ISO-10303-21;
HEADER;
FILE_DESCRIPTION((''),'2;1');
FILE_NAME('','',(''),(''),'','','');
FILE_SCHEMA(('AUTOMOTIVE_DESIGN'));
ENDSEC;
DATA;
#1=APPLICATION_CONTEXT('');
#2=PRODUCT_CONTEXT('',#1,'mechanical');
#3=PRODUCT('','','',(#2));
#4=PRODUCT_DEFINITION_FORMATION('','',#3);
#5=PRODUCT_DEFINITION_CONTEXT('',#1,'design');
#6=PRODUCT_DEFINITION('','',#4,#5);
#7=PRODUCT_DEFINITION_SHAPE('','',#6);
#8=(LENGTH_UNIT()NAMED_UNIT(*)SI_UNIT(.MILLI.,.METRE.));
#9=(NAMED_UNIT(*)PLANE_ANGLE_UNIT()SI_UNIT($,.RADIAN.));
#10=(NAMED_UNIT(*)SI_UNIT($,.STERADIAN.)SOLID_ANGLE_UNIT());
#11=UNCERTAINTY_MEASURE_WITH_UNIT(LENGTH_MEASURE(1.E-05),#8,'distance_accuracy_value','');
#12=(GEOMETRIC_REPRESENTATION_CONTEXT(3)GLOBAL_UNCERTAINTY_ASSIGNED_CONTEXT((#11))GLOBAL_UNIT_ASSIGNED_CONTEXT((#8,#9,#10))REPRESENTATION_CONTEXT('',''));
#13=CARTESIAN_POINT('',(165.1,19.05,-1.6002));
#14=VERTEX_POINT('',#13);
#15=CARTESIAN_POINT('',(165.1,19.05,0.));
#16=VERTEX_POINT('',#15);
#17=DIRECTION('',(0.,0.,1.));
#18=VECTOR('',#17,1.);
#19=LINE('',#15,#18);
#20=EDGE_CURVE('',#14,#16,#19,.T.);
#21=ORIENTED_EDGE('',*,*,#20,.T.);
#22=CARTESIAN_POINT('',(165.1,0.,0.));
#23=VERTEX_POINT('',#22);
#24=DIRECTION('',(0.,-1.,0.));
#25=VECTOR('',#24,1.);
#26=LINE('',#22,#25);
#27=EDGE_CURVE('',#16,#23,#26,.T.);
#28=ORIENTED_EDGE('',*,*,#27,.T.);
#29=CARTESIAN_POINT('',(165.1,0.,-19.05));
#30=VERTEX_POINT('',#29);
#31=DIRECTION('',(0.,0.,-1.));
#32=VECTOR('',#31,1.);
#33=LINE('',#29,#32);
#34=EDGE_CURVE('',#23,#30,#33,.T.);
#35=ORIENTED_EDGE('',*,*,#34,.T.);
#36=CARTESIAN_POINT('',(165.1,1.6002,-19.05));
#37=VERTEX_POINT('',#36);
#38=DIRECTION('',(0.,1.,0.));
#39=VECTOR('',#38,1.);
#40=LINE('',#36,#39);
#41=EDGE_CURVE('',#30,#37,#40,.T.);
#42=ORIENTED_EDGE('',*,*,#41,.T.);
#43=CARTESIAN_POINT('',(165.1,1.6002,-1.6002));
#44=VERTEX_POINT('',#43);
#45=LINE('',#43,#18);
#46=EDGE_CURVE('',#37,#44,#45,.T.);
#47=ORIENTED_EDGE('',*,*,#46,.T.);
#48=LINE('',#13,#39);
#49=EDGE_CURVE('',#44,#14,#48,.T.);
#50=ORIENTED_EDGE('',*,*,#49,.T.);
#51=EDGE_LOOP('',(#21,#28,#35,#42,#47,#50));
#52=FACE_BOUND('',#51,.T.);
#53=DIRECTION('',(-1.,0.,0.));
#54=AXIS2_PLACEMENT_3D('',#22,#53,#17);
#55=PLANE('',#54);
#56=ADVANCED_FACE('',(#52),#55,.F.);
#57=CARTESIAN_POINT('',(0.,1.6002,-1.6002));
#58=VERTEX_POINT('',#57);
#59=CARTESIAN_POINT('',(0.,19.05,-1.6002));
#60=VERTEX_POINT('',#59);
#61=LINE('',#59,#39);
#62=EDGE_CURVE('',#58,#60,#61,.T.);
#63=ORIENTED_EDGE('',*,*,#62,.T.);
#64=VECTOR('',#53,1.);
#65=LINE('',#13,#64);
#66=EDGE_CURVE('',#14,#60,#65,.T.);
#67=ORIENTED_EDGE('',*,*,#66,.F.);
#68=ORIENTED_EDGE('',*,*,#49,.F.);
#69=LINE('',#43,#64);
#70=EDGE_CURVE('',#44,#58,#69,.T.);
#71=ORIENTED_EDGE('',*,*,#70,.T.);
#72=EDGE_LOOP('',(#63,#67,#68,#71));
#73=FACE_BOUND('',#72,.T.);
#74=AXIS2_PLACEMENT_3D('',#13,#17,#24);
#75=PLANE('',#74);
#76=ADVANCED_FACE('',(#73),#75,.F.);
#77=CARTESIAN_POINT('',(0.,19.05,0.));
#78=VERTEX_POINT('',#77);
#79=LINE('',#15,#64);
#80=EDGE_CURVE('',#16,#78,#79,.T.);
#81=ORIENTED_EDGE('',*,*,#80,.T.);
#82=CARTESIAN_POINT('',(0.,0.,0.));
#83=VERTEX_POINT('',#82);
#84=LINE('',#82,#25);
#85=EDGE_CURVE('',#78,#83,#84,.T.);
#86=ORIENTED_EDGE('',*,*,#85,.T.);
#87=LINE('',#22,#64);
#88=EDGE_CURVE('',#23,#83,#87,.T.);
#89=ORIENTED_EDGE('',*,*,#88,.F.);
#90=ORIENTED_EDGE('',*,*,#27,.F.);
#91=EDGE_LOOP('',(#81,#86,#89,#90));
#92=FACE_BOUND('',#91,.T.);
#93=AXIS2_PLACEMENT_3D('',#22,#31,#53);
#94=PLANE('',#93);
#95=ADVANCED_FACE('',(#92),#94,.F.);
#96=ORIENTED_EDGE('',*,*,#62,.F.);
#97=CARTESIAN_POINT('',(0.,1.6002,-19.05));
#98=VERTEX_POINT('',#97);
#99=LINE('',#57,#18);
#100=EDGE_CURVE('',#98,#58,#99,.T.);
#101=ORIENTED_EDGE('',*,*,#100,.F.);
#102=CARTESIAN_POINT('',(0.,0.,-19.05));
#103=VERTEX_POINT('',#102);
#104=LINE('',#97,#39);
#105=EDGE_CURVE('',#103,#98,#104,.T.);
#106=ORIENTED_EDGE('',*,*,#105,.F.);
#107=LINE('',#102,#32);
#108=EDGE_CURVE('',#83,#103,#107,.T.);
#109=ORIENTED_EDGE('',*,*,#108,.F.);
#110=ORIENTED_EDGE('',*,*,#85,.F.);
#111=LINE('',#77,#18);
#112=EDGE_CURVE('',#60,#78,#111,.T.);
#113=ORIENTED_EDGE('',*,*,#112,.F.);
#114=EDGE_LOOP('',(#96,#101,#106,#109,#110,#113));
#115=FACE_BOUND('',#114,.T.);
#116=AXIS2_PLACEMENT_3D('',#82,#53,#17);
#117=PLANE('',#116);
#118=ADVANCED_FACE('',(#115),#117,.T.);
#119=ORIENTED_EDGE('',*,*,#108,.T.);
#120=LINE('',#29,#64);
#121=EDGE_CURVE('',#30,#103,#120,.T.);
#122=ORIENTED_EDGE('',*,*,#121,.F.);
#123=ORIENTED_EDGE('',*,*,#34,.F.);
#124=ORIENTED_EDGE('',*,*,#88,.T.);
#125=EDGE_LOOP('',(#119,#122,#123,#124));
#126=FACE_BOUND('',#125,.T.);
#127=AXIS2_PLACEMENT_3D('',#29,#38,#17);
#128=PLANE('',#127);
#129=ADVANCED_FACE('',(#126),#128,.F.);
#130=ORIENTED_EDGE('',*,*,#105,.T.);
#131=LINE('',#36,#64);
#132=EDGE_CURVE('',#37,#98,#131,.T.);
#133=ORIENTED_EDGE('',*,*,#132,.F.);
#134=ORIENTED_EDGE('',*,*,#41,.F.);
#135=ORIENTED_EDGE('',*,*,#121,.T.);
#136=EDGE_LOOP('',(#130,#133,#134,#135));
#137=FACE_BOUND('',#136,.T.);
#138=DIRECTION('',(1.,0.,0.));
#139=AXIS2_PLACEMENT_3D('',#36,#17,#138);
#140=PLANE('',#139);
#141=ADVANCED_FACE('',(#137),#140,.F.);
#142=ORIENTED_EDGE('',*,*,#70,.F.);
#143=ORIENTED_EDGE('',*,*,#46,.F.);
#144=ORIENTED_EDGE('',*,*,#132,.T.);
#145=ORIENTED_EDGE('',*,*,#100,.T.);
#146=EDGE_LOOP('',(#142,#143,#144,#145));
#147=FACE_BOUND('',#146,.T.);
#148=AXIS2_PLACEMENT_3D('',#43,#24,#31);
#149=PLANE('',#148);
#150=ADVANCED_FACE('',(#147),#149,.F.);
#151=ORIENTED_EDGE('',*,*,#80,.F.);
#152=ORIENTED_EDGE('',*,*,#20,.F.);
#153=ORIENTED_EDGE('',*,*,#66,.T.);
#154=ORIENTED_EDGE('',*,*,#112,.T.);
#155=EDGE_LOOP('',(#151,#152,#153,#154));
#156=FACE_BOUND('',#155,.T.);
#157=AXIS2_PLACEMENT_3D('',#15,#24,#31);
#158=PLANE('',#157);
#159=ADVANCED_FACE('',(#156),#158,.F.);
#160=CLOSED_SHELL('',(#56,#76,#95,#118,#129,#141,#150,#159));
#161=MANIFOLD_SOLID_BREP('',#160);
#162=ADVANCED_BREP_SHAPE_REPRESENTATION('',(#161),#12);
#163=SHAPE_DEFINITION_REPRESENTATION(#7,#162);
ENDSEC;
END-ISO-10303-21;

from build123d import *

# Parameters (mm, degrees)
BOSS_EXTRUDE1_DEPTH = 165.1


with BuildPart() as part:
    # Sketch1 → Boss-Extrude1 (new body)
    with BuildSketch(Plane(origin=(0, 0, 0), x_dir=(0, 0, -1), z_dir=(1, 0, 0))):
        Polygon((0, 0), (0, 19.05), (1.6002, 19.05), (1.6002, 1.6002), (19.05, 1.6002), (19.05, 0), align=None)
    extrude(amount=BOSS_EXTRUDE1_DEPTH)


solid = part.part
